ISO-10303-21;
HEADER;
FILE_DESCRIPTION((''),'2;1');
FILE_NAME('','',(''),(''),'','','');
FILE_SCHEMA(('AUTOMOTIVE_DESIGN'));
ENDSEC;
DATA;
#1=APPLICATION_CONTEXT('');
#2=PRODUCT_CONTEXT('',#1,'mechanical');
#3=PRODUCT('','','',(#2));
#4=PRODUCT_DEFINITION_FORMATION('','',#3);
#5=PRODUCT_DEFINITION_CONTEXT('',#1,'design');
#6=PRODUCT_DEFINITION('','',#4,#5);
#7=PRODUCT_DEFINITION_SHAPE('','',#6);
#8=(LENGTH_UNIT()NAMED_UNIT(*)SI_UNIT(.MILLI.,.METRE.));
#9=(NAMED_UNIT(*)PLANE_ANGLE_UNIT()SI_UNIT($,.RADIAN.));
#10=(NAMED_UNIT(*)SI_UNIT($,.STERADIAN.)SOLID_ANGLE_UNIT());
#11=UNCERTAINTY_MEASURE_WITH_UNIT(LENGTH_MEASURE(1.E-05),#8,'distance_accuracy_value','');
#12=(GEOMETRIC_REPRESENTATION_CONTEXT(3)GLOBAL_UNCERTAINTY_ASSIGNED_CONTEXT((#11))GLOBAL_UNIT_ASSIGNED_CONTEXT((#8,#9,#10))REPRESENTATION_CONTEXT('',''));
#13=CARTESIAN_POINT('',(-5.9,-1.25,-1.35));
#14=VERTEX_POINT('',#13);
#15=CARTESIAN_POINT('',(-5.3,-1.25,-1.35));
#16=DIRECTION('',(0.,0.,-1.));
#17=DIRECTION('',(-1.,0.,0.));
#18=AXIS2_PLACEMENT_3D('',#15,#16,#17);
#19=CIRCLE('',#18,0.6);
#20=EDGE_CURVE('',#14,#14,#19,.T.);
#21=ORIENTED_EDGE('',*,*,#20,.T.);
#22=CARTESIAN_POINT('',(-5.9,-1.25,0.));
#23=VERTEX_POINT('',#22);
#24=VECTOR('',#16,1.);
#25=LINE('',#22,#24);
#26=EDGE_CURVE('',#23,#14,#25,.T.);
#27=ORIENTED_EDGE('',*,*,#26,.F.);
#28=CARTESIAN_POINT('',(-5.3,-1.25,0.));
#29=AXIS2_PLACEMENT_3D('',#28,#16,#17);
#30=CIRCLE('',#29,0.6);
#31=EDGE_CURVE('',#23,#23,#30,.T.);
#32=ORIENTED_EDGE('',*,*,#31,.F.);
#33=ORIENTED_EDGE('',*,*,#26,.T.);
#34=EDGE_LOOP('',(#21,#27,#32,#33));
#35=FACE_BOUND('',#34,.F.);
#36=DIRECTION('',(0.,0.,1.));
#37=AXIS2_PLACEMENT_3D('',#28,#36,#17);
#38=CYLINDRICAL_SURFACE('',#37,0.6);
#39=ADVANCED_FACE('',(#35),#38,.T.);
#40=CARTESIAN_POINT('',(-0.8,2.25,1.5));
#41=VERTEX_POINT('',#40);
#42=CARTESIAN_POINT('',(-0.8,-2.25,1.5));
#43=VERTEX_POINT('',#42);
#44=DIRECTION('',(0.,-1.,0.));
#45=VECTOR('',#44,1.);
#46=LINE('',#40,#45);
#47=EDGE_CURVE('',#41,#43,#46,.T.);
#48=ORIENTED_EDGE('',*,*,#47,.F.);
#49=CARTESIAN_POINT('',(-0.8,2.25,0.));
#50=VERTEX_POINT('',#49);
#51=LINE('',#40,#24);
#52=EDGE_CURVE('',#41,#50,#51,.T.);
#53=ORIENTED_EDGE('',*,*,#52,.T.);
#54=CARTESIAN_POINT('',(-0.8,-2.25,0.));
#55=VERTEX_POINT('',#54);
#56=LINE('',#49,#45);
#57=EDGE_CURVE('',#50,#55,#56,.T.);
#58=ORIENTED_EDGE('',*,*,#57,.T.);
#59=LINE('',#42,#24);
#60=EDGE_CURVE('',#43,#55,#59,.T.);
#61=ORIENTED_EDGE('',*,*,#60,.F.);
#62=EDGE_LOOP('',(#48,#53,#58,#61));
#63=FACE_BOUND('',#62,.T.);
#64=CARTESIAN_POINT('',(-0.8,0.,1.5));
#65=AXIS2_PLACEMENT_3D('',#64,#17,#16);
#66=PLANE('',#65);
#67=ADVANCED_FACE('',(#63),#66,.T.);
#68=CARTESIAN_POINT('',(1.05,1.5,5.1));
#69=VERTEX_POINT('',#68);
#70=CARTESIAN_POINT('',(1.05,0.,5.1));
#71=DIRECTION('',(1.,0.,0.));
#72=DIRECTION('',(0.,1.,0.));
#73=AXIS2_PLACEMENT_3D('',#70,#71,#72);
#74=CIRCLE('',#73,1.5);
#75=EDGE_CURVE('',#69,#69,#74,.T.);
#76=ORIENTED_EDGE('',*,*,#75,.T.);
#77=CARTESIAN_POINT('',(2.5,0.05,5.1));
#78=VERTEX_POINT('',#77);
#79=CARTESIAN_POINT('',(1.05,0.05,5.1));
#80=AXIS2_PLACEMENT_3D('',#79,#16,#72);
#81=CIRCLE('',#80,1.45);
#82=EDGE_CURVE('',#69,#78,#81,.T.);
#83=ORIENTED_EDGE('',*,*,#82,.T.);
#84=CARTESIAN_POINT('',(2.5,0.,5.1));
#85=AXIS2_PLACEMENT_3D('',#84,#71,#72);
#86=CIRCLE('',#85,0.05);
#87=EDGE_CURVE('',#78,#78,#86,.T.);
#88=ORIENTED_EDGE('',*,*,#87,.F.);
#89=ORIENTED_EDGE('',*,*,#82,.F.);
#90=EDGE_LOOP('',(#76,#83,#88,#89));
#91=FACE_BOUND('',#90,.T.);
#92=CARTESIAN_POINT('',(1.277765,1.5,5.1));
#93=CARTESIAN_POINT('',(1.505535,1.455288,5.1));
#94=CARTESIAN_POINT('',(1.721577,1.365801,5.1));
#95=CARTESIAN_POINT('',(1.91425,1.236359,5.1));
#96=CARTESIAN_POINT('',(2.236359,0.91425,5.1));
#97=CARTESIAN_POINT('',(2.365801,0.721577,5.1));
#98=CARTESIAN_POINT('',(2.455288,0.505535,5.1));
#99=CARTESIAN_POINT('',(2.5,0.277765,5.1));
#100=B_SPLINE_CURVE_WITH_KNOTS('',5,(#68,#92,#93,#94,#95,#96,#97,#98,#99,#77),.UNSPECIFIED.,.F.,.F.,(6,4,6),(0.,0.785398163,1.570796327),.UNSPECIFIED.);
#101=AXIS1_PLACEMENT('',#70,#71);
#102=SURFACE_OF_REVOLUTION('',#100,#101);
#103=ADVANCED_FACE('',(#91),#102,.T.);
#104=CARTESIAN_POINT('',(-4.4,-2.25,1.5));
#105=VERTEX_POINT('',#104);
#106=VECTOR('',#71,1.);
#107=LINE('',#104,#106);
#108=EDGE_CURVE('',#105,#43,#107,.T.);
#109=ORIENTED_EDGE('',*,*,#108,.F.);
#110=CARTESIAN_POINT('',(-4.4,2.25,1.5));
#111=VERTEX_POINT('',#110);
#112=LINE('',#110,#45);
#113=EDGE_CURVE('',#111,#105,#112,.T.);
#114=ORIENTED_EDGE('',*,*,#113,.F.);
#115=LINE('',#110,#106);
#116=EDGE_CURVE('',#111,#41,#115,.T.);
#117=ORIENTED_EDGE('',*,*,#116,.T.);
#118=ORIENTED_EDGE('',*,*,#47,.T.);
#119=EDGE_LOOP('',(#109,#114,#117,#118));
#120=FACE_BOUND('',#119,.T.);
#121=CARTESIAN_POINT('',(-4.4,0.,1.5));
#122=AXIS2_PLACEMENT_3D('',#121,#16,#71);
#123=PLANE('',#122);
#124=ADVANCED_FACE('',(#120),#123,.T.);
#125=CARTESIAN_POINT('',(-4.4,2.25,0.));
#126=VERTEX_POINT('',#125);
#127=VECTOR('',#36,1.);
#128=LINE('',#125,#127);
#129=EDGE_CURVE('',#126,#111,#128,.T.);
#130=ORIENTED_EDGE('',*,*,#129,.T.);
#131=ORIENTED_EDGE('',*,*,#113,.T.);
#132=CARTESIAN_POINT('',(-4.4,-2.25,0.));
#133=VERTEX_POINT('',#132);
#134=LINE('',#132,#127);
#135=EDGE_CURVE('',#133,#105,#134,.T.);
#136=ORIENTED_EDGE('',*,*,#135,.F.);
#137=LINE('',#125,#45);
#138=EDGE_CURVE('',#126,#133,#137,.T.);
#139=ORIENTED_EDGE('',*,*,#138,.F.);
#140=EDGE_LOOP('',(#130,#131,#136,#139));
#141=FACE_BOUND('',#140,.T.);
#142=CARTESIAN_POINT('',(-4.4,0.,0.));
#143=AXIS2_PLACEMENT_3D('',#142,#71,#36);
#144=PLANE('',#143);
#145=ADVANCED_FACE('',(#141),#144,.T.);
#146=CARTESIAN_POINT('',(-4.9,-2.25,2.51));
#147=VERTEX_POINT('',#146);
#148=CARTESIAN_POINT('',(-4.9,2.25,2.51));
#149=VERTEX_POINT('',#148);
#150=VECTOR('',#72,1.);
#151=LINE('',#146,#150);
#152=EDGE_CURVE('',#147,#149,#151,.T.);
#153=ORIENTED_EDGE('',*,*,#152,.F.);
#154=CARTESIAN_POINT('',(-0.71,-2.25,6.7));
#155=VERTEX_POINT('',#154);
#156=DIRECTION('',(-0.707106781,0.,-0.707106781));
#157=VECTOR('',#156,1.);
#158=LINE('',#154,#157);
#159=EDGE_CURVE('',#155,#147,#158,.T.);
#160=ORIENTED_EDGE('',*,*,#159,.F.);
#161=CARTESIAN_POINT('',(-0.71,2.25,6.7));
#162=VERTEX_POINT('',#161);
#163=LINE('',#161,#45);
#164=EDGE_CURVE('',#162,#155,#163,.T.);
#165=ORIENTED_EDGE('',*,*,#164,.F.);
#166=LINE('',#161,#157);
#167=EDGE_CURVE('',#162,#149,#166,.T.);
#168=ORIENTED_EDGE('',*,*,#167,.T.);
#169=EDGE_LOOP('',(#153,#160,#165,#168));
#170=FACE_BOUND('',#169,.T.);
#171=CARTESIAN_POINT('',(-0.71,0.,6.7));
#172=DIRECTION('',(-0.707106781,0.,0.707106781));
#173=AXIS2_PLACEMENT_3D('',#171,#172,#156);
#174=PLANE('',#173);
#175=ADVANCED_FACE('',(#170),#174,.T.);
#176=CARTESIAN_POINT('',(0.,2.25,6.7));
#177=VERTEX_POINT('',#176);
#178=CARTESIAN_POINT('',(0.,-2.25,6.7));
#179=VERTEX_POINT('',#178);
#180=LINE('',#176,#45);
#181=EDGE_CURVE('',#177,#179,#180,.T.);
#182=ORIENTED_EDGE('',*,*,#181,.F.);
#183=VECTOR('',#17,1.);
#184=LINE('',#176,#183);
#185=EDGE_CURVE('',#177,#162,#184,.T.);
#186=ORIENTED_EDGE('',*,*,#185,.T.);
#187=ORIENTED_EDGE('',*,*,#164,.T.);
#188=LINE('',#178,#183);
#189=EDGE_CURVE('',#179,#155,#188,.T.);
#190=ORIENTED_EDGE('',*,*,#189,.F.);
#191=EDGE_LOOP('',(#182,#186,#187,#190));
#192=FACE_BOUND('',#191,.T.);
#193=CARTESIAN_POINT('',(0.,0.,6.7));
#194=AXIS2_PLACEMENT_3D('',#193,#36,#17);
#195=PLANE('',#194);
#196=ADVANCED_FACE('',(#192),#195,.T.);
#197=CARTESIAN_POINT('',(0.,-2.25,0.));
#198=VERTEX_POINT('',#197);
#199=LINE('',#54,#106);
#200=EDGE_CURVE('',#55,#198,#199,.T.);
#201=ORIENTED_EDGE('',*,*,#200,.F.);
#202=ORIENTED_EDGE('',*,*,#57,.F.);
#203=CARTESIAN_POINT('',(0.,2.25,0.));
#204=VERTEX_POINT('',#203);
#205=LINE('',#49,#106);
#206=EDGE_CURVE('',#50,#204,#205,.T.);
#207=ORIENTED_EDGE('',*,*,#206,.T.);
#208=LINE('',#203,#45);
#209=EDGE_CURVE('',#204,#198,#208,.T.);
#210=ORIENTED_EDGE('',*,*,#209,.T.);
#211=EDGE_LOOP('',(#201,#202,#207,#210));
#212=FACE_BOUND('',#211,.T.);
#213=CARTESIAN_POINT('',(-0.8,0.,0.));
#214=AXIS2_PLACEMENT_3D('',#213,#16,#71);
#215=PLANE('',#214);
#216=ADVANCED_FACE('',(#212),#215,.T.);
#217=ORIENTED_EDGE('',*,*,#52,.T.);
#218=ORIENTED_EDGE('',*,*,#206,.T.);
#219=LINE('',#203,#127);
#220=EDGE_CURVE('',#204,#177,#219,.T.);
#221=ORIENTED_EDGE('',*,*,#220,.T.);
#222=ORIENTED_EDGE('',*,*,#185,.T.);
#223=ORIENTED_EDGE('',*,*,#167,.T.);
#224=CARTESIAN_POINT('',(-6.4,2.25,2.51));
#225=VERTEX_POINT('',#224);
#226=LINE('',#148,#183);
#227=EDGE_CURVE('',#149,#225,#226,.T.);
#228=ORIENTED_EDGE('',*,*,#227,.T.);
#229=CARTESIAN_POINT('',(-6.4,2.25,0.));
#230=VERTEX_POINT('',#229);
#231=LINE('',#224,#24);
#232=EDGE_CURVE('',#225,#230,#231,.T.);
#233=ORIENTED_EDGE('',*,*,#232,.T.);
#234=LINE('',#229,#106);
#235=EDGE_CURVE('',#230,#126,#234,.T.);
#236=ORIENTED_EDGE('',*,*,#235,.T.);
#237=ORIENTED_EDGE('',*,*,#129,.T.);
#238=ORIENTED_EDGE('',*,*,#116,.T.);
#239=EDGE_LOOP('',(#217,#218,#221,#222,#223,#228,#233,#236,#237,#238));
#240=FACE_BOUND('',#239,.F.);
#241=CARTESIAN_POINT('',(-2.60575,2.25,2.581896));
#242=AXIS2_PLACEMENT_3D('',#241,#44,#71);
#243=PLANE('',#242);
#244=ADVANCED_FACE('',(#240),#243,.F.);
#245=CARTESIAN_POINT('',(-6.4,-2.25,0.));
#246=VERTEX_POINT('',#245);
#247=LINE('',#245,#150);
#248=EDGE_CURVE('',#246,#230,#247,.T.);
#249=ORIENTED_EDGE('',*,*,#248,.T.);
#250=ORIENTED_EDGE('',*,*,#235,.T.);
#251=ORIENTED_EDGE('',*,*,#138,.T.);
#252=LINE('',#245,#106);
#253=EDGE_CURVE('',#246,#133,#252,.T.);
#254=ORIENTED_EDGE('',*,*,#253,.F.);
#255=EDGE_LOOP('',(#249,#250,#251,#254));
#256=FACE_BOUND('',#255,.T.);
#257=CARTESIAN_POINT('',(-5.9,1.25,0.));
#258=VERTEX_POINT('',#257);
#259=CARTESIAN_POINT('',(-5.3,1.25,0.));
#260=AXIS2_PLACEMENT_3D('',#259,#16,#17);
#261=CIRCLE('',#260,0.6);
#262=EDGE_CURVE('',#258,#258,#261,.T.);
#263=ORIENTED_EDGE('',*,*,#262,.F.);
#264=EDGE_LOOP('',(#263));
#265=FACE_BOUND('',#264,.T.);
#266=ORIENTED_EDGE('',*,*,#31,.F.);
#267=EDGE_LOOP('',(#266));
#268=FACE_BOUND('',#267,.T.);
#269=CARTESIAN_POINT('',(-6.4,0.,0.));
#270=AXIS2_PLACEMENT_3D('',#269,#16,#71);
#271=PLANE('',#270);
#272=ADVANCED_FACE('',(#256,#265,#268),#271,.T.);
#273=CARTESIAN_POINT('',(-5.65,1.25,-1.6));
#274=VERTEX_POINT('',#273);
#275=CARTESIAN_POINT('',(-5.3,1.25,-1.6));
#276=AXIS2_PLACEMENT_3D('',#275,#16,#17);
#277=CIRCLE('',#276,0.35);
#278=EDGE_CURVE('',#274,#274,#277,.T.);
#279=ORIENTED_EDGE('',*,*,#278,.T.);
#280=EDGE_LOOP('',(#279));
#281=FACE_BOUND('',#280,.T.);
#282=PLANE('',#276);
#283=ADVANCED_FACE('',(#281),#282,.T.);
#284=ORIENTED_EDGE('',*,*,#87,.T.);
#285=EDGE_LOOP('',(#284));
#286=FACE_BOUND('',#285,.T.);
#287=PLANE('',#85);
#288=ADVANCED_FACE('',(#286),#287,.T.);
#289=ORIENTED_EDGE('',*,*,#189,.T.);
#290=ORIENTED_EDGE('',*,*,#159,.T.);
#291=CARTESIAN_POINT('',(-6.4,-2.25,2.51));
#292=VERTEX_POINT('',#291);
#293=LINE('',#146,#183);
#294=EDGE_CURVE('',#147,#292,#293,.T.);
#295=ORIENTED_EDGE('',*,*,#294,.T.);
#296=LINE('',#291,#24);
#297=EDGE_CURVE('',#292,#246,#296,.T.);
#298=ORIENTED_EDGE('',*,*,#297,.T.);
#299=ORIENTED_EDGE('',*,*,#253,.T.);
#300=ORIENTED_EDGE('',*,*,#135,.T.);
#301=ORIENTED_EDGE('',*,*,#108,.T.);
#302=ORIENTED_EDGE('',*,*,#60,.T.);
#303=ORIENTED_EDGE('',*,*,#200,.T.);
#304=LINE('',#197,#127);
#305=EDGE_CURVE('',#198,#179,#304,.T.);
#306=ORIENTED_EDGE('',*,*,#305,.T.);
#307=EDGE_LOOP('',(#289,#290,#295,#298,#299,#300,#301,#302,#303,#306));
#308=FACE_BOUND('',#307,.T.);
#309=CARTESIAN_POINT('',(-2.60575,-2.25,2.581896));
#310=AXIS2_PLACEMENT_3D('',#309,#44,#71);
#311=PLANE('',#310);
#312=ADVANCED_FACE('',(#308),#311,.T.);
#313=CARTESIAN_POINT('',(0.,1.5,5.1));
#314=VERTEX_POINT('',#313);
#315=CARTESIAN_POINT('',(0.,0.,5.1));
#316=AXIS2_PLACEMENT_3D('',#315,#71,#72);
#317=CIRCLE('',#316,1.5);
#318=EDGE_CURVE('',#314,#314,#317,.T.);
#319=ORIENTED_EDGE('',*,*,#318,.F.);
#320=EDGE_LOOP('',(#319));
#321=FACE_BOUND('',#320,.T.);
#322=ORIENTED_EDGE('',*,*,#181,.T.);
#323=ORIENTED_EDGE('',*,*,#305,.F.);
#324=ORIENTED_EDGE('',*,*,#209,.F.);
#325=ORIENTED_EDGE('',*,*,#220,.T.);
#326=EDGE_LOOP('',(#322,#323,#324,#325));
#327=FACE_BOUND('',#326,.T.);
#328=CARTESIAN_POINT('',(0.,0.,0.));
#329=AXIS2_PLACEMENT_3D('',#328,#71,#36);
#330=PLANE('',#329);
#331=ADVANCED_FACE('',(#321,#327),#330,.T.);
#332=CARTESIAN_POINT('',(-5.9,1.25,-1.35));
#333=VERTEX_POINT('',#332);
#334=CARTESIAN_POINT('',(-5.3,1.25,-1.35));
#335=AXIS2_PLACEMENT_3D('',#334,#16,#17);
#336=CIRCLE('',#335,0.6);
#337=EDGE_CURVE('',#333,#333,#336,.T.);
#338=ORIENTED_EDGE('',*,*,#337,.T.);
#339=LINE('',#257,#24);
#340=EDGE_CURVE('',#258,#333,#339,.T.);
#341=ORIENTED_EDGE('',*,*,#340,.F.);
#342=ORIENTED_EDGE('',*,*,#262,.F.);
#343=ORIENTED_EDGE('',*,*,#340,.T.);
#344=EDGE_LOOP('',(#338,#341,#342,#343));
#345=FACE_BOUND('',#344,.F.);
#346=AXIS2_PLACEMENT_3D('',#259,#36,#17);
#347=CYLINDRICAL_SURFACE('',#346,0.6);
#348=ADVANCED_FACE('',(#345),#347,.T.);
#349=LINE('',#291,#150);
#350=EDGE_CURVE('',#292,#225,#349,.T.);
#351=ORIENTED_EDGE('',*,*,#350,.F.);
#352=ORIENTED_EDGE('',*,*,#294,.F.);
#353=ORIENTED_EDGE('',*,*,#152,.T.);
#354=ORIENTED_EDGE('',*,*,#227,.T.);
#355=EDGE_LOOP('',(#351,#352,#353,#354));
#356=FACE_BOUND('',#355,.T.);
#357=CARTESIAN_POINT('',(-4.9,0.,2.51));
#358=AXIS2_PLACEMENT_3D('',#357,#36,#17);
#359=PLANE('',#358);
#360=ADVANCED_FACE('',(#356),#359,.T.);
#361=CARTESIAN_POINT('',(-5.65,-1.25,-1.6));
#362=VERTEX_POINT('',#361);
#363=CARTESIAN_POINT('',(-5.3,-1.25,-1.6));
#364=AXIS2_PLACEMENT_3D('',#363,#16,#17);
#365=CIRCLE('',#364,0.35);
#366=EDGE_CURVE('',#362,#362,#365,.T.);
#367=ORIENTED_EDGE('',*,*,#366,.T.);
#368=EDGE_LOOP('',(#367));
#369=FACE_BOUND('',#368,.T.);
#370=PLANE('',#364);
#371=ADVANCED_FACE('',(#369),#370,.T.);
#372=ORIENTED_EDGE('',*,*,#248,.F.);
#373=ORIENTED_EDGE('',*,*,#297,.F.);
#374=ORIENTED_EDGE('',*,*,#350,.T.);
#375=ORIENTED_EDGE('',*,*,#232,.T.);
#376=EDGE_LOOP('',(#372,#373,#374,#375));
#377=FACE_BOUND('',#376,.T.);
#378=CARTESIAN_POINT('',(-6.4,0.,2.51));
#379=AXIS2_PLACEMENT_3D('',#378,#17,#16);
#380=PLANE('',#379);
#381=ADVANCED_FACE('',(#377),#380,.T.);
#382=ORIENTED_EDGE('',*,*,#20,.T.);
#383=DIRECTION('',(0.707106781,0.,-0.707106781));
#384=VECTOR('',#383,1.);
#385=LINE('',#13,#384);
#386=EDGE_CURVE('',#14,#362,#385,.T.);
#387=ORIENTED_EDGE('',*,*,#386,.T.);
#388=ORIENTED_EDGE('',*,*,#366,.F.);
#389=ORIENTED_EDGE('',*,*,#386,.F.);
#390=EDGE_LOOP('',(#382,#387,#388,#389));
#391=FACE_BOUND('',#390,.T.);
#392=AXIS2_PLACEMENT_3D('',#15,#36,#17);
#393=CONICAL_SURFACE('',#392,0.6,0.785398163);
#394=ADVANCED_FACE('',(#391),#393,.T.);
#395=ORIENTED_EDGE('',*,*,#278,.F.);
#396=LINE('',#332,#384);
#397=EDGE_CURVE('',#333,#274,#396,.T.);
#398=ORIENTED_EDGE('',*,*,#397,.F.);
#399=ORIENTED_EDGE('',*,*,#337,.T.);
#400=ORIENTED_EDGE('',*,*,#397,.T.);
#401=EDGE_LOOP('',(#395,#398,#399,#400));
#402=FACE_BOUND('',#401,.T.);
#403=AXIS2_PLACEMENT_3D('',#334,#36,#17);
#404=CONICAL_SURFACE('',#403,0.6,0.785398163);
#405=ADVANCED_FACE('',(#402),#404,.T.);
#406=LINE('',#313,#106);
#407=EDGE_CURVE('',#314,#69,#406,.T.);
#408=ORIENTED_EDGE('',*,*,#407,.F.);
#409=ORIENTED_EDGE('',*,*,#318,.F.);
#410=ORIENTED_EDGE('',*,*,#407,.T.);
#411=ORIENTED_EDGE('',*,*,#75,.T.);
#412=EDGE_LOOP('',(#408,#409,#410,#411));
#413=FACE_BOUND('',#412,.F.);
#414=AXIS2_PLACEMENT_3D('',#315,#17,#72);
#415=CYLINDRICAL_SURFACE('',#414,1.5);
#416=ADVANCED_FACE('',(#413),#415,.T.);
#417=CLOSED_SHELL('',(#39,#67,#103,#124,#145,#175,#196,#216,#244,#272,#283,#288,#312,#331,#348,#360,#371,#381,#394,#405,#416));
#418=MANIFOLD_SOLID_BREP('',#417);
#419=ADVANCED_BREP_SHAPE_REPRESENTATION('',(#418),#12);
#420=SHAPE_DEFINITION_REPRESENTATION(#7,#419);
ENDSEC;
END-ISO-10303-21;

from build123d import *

# Parameters (mm, degrees)
PAD_DEPTH    = 2.25
SKETCH001_R  = 0.6
PAD001_DEPTH = 1.6
SKETCH002_R  = 1.5
PAD002_DEPTH = 2.5
FILLET_R     = 1.45
CHAMFER_SIZE = 0.25


with BuildPart() as part:
    # Sketch → Pad (new body, symmetric)
    with BuildSketch(Plane.XZ):
        Polygon((-6.4, 0), (-4.4, 0), (-4.4, 1.5), (-0.8, 1.5), (-0.8, 0), (0, 0), (0, 6.7), (-0.71, 6.7), (-4.9, 2.51), (-6.4, 2.51), align=None)
    extrude(amount=PAD_DEPTH, both=True)

    # Sketch001 → Pad001 (join)
    with BuildSketch(Plane(origin=(0, 0, 0), x_dir=(-1, 0, 0), z_dir=(0, 0, -1))):
        with Locations((5.3, 1.25)):
            Circle(SKETCH001_R)
        with Locations((5.3, -1.25)):
            Circle(SKETCH001_R)
    extrude(amount=PAD001_DEPTH)

    # Sketch002 → Pad002 (join)
    with BuildSketch(Plane.YZ):
        with Locations((0, 5.1)):
            Circle(SKETCH002_R)
    extrude(amount=PAD002_DEPTH)

    # Fillet
    fillet_edges = [part.edges().sort_by_distance(p)[0] for p in [
        (2.5, -1.5, 5.1),
    ]]
    fillet(fillet_edges, radius=FILLET_R)

    # Chamfer
    chamfer_edges = [part.edges().sort_by_distance(p)[0] for p in [
        (-4.7, 1.25, -1.6),
        (-4.7, -1.25, -1.6),
    ]]
    chamfer(chamfer_edges, length=CHAMFER_SIZE)


solid = part.part
